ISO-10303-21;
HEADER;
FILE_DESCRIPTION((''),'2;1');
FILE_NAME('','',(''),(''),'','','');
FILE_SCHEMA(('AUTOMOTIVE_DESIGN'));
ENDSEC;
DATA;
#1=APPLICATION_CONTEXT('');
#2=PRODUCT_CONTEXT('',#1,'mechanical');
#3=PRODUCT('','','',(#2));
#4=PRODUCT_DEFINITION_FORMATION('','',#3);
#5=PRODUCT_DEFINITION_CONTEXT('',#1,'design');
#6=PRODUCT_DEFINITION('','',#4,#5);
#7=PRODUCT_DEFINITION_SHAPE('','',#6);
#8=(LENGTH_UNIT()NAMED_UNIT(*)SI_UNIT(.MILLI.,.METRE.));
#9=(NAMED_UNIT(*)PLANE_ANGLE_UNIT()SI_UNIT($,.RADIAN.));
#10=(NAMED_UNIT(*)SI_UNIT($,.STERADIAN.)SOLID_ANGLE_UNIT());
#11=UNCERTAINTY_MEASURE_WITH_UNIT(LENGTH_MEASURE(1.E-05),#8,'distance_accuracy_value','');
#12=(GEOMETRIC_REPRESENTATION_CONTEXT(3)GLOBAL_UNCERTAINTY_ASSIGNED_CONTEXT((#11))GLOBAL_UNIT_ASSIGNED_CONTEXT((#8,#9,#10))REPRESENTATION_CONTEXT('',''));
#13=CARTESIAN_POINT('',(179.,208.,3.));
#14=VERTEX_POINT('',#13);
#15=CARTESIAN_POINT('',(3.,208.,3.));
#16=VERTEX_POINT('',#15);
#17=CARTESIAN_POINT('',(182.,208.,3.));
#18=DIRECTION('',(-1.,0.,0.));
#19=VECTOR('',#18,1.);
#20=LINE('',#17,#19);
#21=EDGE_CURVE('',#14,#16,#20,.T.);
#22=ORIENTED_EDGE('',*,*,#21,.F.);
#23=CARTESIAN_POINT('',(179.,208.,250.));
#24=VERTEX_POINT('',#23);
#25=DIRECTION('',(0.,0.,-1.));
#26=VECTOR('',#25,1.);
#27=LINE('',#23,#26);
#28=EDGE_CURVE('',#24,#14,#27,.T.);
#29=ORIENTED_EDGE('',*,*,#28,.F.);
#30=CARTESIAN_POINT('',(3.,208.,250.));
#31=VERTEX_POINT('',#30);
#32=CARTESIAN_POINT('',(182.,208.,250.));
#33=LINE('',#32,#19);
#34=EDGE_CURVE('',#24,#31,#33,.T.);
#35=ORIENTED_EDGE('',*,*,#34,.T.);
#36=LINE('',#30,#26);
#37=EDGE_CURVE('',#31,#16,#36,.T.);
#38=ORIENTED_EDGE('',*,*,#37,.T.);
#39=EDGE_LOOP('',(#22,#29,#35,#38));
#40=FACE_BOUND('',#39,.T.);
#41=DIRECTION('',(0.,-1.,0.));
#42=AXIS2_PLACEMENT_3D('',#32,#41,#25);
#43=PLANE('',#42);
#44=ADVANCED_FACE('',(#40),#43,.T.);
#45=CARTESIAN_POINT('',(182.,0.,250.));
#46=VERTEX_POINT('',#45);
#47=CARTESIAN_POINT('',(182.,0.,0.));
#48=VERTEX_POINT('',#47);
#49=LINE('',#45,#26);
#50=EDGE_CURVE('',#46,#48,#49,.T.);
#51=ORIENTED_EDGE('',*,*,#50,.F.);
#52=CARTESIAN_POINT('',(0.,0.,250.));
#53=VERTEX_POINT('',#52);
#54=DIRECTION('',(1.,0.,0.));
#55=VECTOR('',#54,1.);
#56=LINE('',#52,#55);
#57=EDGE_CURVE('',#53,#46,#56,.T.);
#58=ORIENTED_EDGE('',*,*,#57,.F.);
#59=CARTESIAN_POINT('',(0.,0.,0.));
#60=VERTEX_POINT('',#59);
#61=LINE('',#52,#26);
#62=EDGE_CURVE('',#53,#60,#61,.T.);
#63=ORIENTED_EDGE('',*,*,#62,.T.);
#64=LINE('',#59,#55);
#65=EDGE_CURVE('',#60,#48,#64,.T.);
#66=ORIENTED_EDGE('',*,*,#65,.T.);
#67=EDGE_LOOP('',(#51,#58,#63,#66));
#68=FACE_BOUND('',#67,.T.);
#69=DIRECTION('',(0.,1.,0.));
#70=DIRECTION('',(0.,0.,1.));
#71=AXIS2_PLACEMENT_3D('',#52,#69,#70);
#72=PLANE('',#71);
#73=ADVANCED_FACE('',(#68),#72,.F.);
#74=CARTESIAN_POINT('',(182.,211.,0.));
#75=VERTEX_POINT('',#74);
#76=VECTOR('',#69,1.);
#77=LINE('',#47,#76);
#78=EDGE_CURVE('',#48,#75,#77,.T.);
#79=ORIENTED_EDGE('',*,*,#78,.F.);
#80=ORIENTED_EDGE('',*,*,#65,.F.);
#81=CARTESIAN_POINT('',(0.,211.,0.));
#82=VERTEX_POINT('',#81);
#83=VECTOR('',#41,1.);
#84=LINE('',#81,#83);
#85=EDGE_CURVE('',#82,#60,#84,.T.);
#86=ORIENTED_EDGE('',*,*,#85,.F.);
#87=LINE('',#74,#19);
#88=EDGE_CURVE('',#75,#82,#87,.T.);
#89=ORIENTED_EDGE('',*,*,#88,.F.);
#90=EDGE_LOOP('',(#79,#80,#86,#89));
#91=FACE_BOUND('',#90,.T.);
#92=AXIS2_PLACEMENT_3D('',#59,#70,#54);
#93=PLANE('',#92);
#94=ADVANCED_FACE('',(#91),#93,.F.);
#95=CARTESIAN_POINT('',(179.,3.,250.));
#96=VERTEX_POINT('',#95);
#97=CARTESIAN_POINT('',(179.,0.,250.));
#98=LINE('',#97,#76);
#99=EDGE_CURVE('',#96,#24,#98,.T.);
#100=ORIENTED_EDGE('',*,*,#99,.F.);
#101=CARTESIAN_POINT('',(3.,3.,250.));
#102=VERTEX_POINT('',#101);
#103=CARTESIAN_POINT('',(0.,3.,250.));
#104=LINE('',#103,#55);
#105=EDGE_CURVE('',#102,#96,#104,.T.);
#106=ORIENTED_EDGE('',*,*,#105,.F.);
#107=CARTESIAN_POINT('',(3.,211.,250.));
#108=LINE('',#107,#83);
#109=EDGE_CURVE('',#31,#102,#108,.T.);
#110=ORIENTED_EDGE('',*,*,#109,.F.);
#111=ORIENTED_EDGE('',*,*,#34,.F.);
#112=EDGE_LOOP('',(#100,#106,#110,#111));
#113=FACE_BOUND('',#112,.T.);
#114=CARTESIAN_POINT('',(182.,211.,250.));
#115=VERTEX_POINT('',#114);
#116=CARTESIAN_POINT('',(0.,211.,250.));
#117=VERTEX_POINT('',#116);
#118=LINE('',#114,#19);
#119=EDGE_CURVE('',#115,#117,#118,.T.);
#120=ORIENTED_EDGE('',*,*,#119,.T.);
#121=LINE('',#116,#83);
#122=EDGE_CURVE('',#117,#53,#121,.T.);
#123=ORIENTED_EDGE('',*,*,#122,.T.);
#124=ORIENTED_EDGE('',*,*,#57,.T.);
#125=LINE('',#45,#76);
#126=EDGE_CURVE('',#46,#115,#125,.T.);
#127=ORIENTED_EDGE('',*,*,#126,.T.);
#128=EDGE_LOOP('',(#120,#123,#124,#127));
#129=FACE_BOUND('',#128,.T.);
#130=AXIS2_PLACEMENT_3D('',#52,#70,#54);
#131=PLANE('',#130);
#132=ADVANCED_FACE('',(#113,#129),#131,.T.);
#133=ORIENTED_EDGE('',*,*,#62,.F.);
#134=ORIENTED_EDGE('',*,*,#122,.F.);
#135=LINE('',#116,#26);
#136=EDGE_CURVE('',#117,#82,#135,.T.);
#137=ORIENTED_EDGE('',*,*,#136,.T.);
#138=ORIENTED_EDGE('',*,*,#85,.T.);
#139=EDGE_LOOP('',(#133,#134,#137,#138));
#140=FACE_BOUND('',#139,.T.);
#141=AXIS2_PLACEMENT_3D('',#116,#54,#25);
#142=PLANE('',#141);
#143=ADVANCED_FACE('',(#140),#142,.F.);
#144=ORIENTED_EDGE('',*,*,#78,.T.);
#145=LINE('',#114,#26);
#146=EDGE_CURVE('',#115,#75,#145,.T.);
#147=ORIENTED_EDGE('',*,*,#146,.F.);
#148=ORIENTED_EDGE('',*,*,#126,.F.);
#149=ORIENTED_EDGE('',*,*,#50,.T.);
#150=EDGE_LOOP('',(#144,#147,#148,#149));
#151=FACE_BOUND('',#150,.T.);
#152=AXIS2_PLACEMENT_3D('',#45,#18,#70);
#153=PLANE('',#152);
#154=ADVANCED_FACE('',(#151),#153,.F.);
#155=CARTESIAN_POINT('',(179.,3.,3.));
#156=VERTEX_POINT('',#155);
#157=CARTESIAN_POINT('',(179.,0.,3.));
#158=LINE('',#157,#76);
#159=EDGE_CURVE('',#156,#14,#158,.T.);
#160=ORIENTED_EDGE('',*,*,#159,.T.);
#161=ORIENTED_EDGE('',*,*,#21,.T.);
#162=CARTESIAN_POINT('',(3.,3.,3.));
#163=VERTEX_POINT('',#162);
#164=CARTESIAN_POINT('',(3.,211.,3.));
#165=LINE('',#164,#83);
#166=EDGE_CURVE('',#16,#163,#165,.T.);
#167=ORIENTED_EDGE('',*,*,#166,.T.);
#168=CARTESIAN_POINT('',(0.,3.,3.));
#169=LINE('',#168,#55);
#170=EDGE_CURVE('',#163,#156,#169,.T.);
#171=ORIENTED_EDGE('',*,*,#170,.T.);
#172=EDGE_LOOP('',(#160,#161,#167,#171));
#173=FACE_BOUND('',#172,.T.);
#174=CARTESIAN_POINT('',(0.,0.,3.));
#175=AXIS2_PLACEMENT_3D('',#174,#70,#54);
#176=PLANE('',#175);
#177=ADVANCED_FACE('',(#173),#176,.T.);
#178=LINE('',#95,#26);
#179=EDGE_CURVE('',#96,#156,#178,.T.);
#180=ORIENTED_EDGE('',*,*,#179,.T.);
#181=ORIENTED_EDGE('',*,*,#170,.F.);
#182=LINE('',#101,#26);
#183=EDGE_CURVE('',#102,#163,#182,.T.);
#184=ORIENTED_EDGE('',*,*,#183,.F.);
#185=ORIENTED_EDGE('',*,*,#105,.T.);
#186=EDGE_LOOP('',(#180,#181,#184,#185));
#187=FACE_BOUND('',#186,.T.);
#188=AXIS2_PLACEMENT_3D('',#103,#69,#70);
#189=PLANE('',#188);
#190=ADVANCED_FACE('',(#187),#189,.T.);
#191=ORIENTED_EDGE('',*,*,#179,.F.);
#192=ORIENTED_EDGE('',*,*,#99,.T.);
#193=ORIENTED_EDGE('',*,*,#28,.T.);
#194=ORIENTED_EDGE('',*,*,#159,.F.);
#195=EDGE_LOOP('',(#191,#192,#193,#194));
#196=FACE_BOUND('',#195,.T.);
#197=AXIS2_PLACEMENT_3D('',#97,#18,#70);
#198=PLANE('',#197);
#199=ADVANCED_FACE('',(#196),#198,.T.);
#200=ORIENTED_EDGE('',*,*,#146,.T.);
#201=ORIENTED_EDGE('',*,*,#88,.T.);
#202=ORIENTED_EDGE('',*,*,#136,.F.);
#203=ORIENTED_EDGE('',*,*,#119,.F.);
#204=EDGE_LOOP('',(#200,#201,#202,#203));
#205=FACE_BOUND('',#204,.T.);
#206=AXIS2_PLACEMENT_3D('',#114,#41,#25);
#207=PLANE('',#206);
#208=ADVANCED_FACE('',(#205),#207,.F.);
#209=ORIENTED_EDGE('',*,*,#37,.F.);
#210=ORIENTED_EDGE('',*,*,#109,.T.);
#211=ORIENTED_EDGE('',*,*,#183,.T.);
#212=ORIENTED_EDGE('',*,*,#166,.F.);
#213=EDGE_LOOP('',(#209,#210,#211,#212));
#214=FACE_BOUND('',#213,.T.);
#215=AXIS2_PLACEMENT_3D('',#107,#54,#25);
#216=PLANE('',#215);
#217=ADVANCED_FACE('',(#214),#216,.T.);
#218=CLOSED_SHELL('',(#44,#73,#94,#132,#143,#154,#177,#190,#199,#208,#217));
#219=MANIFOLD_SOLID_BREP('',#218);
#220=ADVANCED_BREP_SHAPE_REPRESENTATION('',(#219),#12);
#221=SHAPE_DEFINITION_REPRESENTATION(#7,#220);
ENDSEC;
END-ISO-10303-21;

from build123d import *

# Parameters (mm, degrees)
SKETCH_1_W         = 182
SKETCH_1_H         = 211
BLOCKEXTRUDE_DEPTH = 250
SHELL_1_T          = -3


with BuildPart() as part:
    # 草图1 → BlockExtrude (new body)
    with BuildSketch(Plane.XY):
        with Locations((91, 105.5)):
            Rectangle(SKETCH_1_W, SKETCH_1_H)
    extrude(amount=BLOCKEXTRUDE_DEPTH)

    # 抽壳1
    shell_1_openings = [part.faces().sort_by_distance(p)[0] for p in [
        (91, 105.5, 250),
    ]]
    offset(amount=SHELL_1_T, openings=shell_1_openings, kind=Kind.INTERSECTION)


solid = part.part
